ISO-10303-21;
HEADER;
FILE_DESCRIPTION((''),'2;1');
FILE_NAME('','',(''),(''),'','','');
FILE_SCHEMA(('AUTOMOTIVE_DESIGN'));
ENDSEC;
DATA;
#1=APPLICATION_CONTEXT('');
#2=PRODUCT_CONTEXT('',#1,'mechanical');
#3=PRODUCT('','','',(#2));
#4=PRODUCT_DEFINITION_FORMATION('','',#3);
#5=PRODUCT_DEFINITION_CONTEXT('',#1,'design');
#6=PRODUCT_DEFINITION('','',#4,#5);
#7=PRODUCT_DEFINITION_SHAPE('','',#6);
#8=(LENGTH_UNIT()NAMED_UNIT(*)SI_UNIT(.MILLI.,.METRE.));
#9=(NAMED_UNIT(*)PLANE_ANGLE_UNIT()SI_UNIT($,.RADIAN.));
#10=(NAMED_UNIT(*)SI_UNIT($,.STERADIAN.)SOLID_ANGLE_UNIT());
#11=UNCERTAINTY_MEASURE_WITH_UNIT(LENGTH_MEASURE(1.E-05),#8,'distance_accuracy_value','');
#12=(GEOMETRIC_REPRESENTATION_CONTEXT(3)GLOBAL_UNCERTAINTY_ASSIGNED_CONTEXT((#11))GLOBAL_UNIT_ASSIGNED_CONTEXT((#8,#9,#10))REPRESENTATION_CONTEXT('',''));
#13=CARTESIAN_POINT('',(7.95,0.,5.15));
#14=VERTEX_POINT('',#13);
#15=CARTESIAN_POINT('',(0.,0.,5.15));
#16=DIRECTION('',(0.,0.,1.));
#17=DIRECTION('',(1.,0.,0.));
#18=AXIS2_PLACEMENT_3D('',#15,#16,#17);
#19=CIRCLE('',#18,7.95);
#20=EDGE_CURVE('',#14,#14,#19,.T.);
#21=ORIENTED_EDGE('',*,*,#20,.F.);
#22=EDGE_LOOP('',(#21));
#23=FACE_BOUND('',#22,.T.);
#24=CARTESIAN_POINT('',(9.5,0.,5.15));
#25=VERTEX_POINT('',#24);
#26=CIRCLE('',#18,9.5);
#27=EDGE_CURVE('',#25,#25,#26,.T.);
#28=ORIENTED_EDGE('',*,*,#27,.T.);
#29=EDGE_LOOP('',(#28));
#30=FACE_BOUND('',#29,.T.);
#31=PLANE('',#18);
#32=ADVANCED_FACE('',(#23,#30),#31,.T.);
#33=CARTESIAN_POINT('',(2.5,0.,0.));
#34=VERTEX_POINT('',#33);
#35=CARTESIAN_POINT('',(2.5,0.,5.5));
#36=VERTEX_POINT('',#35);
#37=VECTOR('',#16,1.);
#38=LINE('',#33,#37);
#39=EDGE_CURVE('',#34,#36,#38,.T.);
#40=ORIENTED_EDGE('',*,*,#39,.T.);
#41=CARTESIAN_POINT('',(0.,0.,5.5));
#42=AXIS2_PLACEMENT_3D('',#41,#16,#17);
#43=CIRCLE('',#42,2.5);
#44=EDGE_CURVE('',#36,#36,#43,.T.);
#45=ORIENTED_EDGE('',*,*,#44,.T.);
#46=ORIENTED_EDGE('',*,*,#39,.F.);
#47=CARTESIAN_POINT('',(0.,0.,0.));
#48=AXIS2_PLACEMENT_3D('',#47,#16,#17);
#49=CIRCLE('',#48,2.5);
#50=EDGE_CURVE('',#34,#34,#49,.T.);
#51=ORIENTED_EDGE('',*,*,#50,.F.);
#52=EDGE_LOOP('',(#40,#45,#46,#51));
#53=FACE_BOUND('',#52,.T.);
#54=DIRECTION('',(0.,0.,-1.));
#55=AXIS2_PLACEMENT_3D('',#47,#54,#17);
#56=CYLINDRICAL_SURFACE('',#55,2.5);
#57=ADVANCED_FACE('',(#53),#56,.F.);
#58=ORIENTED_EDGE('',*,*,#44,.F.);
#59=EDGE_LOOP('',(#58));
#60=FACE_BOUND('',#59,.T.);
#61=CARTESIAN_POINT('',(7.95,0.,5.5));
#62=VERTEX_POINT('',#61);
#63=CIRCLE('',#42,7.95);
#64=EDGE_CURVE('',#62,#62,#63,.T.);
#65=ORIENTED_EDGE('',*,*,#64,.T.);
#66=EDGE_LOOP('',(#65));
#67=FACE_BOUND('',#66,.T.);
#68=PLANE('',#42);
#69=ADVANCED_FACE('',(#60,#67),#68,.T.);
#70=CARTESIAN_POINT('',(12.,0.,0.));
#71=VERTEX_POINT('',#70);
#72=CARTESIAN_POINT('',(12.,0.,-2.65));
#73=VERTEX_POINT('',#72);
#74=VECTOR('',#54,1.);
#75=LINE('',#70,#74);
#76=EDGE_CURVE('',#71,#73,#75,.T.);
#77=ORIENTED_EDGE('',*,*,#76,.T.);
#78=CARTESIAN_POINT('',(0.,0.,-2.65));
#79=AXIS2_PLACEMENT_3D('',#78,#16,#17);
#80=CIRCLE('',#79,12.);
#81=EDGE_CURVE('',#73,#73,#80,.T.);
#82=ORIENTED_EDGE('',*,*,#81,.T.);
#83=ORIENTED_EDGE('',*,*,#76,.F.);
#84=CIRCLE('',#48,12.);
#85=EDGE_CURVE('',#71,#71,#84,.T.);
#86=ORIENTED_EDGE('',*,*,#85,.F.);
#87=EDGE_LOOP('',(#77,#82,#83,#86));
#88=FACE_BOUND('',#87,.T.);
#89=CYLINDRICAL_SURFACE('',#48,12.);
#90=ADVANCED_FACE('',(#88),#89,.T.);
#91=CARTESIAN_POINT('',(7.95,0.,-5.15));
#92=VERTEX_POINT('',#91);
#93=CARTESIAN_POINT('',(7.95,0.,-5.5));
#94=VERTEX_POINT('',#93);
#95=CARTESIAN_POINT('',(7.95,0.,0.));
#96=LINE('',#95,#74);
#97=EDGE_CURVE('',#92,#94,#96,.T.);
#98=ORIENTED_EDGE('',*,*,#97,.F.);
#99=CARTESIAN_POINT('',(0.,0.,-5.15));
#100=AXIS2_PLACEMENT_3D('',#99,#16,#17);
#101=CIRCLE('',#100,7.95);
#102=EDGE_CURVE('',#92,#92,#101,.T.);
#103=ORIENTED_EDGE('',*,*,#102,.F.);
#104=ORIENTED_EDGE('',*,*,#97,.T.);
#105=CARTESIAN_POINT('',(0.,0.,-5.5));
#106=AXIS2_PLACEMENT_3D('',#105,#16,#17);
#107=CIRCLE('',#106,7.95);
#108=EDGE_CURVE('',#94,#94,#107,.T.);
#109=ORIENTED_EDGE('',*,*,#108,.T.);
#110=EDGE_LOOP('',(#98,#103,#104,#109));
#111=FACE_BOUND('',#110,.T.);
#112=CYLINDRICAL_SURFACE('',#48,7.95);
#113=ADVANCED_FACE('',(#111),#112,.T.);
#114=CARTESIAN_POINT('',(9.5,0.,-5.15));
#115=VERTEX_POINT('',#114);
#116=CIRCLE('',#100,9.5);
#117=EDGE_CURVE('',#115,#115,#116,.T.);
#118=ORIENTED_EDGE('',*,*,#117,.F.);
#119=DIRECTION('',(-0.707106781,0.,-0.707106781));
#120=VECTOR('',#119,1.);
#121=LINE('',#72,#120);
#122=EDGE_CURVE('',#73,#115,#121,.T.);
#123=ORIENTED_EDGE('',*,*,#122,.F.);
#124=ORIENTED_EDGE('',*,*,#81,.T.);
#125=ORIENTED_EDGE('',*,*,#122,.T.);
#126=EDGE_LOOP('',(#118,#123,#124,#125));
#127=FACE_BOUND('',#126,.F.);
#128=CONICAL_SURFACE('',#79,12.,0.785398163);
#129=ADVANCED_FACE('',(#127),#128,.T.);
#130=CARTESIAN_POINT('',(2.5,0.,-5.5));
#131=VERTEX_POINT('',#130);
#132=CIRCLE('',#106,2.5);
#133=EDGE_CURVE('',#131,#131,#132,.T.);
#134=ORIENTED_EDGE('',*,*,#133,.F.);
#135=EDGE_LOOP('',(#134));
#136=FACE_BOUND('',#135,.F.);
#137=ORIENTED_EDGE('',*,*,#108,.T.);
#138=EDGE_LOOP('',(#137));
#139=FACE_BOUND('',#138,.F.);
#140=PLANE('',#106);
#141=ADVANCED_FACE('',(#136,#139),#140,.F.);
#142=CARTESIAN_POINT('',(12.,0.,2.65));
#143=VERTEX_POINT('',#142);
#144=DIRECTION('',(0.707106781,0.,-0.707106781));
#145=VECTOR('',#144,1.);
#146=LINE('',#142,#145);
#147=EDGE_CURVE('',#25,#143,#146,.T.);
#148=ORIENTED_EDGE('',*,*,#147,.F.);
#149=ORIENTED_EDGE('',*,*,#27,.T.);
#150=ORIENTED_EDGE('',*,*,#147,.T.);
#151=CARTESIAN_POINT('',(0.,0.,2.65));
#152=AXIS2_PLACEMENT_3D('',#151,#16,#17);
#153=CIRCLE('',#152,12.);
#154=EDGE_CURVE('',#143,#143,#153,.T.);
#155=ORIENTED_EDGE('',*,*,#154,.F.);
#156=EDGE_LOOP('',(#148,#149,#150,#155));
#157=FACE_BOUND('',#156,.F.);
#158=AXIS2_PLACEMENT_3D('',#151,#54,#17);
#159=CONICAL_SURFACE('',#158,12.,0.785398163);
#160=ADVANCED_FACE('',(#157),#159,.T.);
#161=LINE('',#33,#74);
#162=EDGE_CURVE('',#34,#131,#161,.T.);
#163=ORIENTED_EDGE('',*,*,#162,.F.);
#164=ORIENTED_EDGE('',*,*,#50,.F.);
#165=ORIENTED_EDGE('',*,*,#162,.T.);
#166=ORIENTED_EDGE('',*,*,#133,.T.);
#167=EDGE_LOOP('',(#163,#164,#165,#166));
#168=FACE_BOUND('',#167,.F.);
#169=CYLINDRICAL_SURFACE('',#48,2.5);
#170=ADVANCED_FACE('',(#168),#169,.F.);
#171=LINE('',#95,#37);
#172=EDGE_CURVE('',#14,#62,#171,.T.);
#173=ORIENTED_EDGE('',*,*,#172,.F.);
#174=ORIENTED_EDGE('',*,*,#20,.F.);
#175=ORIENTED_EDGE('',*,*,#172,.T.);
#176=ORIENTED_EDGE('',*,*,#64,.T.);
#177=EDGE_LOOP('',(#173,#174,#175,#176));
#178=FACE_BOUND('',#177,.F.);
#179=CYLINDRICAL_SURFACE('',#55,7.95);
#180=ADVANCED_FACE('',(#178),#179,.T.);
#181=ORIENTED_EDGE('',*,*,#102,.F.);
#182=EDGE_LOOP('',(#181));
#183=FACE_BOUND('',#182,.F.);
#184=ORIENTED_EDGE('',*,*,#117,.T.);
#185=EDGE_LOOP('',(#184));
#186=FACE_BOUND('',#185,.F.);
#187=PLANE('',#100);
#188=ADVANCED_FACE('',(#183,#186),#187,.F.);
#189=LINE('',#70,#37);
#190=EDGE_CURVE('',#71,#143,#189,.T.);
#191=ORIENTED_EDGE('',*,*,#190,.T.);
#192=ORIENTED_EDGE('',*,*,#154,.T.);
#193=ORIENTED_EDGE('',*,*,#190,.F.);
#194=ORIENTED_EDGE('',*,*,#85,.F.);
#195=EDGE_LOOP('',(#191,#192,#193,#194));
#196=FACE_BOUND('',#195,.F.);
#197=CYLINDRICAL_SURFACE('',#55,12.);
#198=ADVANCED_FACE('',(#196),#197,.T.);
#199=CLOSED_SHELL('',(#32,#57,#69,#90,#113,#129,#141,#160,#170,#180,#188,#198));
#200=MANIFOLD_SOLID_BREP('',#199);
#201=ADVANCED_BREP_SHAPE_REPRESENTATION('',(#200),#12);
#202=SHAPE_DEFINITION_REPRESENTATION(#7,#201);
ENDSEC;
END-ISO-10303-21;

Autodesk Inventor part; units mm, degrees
ref_plane "YZ Plane" through (0, 0, 0) normal (1, 0, 0) x (0, 1, 0)
ref_plane "XZ Plane" through (0, 0, 0) normal (0, 1, 0) x (-1, 0, 0)
ref_plane "XY Plane" through (0, 0, 0) normal (0, 0, 1) x (1, 0, 0)
sketch "Sketch1" plane through (0, 0, 0) normal (0, 0, 1) x (1, 0, 0)
  circle A0 centre (0, 0) radius 2.5
  circle A1 centre (0, 0) radius 12
  circle A2 centre (0, 0) radius 7.95
  dimension "d0" = 5
  dimension "d1" = 24
  dimension "d2" = 15.9
extrude "Extrusion1" add sketch "Sketch1" along normal mid plane 11 contours A2
extrude "Extrusion2" add sketch "Sketch1" along normal mid plane 10.3 contours A1
chamfer "Chamfer1" distance 2.5 angle 45 2 edges at (-12, 0, 5.15) (-12, 0, -5.15)
properties part number "Printer Wheel"
